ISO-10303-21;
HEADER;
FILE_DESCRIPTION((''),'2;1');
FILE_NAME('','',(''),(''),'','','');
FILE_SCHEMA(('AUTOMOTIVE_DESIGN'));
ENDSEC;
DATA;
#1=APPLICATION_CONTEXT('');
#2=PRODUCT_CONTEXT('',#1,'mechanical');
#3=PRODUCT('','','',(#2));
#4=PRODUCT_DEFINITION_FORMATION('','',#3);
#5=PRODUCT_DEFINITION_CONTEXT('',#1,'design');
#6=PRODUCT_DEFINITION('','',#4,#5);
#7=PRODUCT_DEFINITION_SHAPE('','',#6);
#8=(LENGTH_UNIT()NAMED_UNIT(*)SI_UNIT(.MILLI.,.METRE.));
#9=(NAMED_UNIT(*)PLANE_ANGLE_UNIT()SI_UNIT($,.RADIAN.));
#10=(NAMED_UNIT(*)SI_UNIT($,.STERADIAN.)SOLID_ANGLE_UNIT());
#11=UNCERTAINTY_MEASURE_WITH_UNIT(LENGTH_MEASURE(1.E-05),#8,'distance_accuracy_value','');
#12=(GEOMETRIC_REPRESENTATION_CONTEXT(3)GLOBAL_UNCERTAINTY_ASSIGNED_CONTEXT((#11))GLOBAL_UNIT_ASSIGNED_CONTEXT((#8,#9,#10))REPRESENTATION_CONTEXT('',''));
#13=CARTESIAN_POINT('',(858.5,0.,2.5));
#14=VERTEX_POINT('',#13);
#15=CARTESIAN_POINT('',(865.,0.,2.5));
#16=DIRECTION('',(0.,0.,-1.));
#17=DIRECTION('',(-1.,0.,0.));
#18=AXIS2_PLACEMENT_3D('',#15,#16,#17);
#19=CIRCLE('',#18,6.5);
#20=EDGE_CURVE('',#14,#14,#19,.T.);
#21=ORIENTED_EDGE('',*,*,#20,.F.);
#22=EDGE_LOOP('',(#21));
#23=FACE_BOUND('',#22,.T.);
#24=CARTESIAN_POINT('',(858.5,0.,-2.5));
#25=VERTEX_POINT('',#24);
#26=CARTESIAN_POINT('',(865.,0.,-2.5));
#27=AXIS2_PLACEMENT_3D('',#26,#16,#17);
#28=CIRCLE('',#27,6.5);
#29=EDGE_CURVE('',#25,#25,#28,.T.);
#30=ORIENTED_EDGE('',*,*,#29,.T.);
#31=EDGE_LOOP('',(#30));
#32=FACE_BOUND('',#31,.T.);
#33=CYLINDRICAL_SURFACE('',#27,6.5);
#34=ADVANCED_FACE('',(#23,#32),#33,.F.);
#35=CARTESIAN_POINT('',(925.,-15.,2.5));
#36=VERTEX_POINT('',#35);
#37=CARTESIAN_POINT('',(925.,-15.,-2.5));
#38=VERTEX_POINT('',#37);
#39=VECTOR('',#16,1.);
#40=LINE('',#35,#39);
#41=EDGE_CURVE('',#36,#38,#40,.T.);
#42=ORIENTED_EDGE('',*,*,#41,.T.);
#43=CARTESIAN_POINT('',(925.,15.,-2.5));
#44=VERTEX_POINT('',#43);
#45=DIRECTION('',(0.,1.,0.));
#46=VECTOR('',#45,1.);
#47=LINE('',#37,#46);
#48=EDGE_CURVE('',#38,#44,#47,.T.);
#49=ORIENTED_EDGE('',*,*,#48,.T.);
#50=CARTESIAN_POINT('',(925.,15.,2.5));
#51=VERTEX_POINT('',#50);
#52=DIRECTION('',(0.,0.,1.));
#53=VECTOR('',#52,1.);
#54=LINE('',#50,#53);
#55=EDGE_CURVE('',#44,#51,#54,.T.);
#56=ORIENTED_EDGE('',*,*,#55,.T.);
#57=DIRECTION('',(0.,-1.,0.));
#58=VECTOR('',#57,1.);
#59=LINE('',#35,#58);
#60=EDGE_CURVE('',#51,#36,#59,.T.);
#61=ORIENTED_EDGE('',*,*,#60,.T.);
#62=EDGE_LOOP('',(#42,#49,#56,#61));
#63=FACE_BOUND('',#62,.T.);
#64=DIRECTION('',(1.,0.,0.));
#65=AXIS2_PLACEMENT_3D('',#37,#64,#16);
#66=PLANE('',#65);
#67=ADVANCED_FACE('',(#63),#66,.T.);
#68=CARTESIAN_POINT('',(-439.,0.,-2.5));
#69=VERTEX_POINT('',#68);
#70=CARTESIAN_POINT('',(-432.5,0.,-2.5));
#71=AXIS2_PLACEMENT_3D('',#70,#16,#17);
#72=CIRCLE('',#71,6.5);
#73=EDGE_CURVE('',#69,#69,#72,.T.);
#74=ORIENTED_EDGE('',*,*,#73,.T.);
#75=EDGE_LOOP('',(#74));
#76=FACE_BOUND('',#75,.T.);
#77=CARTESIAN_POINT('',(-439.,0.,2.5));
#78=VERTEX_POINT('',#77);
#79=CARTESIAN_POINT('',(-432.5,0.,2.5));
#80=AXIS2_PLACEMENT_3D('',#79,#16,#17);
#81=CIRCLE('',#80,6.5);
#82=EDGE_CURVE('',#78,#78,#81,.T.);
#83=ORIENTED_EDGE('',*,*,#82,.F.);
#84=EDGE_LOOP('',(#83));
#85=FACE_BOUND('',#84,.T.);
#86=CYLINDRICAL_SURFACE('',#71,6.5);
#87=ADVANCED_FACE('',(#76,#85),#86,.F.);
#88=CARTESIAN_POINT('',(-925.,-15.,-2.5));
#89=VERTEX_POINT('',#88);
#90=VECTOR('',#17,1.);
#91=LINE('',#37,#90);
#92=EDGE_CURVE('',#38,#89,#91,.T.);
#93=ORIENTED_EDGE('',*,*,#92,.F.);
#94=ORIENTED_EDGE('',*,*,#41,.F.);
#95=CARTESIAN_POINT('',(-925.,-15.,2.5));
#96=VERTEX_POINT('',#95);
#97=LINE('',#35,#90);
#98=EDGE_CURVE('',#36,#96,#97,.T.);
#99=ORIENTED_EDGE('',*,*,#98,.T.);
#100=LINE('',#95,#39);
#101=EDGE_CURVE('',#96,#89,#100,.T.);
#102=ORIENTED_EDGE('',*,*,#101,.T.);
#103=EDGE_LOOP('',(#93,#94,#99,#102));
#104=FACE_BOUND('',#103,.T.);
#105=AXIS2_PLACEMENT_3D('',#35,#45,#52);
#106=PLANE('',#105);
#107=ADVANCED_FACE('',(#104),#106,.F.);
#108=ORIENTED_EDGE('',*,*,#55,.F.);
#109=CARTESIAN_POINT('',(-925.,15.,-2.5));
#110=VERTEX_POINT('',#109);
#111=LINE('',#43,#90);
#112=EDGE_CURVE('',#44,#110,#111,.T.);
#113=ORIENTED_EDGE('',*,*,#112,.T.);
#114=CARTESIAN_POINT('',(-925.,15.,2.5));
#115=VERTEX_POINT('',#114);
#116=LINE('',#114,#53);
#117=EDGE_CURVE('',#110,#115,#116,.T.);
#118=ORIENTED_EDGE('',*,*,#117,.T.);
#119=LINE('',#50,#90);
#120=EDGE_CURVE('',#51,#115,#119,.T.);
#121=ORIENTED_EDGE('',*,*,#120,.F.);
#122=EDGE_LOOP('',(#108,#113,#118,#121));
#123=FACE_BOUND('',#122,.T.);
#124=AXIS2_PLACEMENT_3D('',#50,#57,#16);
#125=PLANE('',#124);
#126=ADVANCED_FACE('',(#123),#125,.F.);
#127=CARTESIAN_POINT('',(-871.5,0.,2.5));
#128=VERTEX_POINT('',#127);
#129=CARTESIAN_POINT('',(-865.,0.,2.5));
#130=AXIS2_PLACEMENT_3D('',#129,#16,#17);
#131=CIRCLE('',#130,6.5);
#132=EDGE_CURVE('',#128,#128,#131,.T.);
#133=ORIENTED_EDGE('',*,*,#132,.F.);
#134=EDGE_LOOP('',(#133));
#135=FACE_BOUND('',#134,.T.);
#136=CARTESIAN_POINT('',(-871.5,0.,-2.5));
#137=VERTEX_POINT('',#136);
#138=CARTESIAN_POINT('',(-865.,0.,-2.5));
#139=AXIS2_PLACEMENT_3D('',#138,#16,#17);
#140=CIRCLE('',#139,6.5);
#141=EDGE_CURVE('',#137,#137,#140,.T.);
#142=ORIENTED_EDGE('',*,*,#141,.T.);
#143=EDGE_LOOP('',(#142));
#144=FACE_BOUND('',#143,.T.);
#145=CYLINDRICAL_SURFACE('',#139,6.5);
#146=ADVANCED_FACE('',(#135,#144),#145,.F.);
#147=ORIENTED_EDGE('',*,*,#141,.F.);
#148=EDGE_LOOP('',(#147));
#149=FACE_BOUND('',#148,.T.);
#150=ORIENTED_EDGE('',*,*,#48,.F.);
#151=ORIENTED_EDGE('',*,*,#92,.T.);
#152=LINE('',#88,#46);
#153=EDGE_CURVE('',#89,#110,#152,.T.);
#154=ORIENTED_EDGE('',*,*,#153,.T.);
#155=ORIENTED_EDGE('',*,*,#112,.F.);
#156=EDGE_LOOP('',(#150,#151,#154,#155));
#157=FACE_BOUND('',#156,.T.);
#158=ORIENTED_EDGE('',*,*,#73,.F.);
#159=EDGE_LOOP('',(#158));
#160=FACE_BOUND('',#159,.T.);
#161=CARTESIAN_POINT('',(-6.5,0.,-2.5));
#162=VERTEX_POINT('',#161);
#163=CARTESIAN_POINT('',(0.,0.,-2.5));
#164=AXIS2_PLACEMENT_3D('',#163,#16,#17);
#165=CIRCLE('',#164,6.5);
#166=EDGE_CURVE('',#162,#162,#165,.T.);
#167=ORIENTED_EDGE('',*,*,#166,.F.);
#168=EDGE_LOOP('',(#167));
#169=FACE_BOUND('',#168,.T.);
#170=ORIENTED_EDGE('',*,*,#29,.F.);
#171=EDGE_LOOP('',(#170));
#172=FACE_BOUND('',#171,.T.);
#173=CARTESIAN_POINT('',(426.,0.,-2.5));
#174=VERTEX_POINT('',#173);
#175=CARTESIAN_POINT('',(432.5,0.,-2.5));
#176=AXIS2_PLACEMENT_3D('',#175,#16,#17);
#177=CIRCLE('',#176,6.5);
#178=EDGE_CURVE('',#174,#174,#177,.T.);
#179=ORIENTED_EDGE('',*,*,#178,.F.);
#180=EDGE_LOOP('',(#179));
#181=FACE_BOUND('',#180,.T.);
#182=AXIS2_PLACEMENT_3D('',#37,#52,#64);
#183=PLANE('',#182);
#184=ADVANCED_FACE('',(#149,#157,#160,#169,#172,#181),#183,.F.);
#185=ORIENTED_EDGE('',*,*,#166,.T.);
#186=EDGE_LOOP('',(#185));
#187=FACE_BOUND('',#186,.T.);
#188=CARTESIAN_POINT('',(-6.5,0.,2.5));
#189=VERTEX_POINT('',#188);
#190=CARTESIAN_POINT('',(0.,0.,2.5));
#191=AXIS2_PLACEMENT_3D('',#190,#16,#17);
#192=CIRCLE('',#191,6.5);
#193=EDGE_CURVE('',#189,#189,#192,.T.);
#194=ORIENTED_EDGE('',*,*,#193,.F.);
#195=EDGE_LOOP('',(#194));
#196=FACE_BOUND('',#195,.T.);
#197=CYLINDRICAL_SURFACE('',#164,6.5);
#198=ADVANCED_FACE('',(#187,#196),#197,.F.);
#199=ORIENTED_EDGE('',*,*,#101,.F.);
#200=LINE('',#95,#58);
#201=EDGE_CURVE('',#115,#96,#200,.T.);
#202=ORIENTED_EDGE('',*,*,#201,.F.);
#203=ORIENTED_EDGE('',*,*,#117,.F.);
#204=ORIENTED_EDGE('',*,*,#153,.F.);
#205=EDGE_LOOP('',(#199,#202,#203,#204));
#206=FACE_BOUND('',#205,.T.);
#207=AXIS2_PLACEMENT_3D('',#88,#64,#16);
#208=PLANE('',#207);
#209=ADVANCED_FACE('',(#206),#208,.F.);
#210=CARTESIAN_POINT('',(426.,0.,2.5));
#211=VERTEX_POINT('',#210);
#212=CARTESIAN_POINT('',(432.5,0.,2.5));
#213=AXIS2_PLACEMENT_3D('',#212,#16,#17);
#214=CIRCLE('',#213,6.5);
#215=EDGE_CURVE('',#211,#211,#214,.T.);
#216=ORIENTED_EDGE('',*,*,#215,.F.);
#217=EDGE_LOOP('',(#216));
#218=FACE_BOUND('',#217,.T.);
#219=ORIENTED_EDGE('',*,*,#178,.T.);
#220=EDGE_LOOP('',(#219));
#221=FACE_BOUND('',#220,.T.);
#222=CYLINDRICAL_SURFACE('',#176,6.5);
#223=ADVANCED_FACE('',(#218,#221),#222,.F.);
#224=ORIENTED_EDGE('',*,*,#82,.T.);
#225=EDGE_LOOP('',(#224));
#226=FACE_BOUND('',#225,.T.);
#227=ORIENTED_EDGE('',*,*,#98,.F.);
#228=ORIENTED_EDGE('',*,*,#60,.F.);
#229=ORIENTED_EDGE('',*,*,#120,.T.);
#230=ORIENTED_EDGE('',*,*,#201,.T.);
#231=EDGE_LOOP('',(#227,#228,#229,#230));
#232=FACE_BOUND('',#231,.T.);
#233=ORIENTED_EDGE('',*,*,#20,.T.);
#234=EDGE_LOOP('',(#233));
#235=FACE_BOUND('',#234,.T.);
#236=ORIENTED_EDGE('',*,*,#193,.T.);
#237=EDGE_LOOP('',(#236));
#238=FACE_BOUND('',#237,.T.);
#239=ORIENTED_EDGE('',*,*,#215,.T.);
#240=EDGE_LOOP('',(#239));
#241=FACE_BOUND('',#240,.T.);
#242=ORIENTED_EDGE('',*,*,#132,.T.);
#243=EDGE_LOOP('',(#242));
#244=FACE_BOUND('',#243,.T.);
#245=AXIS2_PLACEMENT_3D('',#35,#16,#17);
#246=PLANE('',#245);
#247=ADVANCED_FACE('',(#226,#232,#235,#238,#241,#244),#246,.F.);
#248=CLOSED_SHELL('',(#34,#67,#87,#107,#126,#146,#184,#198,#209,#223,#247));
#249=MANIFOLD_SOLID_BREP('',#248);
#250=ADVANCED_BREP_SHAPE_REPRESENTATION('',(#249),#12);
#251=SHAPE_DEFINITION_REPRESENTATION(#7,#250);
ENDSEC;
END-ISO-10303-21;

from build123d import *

# Parameters (mm, degrees)
PLAT_W                          = 30
PLAT_H                          = 5
EL_MENT_M_CANO_SOUD_1_DEPTH     = 1850
DIAM_TRE_DU_PER_AGE_13_0_13_1_D = 13
R_P_TITION_LIN_AIRE2_COUNT      = 5
R_P_TITION_LIN_AIRE2_PITCH      = 432.5


with BuildPart() as part:
    # plat → Elément mécano-soudé1 (new body)
    with BuildSketch(Plane.YZ.offset(-925)):
        Rectangle(PLAT_W, PLAT_H)
    extrude(amount=EL_MENT_M_CANO_SOUD_1_DEPTH)

    # Diamètre du perçage Ø13.0 (13)1 (through all)
    with Locations(Plane(origin=(0, 0, -2.5), x_dir=(-1, 0, 0), z_dir=(0, 0, -1))):
        with Locations((865, 0)):
            diam_tre_du_per_age_13_0_13_1 = Hole(DIAM_TRE_DU_PER_AGE_13_0_13_1_D / 2)

    # Répétition linéaire2: Diamètre du perçage Ø13.0 (13)1 ×5
    with Locations(*[(i * R_P_TITION_LIN_AIRE2_PITCH, 0, 0) for i in range(1, R_P_TITION_LIN_AIRE2_COUNT)]):
        add(diam_tre_du_per_age_13_0_13_1, mode=Mode.SUBTRACT)


solid = part.part
